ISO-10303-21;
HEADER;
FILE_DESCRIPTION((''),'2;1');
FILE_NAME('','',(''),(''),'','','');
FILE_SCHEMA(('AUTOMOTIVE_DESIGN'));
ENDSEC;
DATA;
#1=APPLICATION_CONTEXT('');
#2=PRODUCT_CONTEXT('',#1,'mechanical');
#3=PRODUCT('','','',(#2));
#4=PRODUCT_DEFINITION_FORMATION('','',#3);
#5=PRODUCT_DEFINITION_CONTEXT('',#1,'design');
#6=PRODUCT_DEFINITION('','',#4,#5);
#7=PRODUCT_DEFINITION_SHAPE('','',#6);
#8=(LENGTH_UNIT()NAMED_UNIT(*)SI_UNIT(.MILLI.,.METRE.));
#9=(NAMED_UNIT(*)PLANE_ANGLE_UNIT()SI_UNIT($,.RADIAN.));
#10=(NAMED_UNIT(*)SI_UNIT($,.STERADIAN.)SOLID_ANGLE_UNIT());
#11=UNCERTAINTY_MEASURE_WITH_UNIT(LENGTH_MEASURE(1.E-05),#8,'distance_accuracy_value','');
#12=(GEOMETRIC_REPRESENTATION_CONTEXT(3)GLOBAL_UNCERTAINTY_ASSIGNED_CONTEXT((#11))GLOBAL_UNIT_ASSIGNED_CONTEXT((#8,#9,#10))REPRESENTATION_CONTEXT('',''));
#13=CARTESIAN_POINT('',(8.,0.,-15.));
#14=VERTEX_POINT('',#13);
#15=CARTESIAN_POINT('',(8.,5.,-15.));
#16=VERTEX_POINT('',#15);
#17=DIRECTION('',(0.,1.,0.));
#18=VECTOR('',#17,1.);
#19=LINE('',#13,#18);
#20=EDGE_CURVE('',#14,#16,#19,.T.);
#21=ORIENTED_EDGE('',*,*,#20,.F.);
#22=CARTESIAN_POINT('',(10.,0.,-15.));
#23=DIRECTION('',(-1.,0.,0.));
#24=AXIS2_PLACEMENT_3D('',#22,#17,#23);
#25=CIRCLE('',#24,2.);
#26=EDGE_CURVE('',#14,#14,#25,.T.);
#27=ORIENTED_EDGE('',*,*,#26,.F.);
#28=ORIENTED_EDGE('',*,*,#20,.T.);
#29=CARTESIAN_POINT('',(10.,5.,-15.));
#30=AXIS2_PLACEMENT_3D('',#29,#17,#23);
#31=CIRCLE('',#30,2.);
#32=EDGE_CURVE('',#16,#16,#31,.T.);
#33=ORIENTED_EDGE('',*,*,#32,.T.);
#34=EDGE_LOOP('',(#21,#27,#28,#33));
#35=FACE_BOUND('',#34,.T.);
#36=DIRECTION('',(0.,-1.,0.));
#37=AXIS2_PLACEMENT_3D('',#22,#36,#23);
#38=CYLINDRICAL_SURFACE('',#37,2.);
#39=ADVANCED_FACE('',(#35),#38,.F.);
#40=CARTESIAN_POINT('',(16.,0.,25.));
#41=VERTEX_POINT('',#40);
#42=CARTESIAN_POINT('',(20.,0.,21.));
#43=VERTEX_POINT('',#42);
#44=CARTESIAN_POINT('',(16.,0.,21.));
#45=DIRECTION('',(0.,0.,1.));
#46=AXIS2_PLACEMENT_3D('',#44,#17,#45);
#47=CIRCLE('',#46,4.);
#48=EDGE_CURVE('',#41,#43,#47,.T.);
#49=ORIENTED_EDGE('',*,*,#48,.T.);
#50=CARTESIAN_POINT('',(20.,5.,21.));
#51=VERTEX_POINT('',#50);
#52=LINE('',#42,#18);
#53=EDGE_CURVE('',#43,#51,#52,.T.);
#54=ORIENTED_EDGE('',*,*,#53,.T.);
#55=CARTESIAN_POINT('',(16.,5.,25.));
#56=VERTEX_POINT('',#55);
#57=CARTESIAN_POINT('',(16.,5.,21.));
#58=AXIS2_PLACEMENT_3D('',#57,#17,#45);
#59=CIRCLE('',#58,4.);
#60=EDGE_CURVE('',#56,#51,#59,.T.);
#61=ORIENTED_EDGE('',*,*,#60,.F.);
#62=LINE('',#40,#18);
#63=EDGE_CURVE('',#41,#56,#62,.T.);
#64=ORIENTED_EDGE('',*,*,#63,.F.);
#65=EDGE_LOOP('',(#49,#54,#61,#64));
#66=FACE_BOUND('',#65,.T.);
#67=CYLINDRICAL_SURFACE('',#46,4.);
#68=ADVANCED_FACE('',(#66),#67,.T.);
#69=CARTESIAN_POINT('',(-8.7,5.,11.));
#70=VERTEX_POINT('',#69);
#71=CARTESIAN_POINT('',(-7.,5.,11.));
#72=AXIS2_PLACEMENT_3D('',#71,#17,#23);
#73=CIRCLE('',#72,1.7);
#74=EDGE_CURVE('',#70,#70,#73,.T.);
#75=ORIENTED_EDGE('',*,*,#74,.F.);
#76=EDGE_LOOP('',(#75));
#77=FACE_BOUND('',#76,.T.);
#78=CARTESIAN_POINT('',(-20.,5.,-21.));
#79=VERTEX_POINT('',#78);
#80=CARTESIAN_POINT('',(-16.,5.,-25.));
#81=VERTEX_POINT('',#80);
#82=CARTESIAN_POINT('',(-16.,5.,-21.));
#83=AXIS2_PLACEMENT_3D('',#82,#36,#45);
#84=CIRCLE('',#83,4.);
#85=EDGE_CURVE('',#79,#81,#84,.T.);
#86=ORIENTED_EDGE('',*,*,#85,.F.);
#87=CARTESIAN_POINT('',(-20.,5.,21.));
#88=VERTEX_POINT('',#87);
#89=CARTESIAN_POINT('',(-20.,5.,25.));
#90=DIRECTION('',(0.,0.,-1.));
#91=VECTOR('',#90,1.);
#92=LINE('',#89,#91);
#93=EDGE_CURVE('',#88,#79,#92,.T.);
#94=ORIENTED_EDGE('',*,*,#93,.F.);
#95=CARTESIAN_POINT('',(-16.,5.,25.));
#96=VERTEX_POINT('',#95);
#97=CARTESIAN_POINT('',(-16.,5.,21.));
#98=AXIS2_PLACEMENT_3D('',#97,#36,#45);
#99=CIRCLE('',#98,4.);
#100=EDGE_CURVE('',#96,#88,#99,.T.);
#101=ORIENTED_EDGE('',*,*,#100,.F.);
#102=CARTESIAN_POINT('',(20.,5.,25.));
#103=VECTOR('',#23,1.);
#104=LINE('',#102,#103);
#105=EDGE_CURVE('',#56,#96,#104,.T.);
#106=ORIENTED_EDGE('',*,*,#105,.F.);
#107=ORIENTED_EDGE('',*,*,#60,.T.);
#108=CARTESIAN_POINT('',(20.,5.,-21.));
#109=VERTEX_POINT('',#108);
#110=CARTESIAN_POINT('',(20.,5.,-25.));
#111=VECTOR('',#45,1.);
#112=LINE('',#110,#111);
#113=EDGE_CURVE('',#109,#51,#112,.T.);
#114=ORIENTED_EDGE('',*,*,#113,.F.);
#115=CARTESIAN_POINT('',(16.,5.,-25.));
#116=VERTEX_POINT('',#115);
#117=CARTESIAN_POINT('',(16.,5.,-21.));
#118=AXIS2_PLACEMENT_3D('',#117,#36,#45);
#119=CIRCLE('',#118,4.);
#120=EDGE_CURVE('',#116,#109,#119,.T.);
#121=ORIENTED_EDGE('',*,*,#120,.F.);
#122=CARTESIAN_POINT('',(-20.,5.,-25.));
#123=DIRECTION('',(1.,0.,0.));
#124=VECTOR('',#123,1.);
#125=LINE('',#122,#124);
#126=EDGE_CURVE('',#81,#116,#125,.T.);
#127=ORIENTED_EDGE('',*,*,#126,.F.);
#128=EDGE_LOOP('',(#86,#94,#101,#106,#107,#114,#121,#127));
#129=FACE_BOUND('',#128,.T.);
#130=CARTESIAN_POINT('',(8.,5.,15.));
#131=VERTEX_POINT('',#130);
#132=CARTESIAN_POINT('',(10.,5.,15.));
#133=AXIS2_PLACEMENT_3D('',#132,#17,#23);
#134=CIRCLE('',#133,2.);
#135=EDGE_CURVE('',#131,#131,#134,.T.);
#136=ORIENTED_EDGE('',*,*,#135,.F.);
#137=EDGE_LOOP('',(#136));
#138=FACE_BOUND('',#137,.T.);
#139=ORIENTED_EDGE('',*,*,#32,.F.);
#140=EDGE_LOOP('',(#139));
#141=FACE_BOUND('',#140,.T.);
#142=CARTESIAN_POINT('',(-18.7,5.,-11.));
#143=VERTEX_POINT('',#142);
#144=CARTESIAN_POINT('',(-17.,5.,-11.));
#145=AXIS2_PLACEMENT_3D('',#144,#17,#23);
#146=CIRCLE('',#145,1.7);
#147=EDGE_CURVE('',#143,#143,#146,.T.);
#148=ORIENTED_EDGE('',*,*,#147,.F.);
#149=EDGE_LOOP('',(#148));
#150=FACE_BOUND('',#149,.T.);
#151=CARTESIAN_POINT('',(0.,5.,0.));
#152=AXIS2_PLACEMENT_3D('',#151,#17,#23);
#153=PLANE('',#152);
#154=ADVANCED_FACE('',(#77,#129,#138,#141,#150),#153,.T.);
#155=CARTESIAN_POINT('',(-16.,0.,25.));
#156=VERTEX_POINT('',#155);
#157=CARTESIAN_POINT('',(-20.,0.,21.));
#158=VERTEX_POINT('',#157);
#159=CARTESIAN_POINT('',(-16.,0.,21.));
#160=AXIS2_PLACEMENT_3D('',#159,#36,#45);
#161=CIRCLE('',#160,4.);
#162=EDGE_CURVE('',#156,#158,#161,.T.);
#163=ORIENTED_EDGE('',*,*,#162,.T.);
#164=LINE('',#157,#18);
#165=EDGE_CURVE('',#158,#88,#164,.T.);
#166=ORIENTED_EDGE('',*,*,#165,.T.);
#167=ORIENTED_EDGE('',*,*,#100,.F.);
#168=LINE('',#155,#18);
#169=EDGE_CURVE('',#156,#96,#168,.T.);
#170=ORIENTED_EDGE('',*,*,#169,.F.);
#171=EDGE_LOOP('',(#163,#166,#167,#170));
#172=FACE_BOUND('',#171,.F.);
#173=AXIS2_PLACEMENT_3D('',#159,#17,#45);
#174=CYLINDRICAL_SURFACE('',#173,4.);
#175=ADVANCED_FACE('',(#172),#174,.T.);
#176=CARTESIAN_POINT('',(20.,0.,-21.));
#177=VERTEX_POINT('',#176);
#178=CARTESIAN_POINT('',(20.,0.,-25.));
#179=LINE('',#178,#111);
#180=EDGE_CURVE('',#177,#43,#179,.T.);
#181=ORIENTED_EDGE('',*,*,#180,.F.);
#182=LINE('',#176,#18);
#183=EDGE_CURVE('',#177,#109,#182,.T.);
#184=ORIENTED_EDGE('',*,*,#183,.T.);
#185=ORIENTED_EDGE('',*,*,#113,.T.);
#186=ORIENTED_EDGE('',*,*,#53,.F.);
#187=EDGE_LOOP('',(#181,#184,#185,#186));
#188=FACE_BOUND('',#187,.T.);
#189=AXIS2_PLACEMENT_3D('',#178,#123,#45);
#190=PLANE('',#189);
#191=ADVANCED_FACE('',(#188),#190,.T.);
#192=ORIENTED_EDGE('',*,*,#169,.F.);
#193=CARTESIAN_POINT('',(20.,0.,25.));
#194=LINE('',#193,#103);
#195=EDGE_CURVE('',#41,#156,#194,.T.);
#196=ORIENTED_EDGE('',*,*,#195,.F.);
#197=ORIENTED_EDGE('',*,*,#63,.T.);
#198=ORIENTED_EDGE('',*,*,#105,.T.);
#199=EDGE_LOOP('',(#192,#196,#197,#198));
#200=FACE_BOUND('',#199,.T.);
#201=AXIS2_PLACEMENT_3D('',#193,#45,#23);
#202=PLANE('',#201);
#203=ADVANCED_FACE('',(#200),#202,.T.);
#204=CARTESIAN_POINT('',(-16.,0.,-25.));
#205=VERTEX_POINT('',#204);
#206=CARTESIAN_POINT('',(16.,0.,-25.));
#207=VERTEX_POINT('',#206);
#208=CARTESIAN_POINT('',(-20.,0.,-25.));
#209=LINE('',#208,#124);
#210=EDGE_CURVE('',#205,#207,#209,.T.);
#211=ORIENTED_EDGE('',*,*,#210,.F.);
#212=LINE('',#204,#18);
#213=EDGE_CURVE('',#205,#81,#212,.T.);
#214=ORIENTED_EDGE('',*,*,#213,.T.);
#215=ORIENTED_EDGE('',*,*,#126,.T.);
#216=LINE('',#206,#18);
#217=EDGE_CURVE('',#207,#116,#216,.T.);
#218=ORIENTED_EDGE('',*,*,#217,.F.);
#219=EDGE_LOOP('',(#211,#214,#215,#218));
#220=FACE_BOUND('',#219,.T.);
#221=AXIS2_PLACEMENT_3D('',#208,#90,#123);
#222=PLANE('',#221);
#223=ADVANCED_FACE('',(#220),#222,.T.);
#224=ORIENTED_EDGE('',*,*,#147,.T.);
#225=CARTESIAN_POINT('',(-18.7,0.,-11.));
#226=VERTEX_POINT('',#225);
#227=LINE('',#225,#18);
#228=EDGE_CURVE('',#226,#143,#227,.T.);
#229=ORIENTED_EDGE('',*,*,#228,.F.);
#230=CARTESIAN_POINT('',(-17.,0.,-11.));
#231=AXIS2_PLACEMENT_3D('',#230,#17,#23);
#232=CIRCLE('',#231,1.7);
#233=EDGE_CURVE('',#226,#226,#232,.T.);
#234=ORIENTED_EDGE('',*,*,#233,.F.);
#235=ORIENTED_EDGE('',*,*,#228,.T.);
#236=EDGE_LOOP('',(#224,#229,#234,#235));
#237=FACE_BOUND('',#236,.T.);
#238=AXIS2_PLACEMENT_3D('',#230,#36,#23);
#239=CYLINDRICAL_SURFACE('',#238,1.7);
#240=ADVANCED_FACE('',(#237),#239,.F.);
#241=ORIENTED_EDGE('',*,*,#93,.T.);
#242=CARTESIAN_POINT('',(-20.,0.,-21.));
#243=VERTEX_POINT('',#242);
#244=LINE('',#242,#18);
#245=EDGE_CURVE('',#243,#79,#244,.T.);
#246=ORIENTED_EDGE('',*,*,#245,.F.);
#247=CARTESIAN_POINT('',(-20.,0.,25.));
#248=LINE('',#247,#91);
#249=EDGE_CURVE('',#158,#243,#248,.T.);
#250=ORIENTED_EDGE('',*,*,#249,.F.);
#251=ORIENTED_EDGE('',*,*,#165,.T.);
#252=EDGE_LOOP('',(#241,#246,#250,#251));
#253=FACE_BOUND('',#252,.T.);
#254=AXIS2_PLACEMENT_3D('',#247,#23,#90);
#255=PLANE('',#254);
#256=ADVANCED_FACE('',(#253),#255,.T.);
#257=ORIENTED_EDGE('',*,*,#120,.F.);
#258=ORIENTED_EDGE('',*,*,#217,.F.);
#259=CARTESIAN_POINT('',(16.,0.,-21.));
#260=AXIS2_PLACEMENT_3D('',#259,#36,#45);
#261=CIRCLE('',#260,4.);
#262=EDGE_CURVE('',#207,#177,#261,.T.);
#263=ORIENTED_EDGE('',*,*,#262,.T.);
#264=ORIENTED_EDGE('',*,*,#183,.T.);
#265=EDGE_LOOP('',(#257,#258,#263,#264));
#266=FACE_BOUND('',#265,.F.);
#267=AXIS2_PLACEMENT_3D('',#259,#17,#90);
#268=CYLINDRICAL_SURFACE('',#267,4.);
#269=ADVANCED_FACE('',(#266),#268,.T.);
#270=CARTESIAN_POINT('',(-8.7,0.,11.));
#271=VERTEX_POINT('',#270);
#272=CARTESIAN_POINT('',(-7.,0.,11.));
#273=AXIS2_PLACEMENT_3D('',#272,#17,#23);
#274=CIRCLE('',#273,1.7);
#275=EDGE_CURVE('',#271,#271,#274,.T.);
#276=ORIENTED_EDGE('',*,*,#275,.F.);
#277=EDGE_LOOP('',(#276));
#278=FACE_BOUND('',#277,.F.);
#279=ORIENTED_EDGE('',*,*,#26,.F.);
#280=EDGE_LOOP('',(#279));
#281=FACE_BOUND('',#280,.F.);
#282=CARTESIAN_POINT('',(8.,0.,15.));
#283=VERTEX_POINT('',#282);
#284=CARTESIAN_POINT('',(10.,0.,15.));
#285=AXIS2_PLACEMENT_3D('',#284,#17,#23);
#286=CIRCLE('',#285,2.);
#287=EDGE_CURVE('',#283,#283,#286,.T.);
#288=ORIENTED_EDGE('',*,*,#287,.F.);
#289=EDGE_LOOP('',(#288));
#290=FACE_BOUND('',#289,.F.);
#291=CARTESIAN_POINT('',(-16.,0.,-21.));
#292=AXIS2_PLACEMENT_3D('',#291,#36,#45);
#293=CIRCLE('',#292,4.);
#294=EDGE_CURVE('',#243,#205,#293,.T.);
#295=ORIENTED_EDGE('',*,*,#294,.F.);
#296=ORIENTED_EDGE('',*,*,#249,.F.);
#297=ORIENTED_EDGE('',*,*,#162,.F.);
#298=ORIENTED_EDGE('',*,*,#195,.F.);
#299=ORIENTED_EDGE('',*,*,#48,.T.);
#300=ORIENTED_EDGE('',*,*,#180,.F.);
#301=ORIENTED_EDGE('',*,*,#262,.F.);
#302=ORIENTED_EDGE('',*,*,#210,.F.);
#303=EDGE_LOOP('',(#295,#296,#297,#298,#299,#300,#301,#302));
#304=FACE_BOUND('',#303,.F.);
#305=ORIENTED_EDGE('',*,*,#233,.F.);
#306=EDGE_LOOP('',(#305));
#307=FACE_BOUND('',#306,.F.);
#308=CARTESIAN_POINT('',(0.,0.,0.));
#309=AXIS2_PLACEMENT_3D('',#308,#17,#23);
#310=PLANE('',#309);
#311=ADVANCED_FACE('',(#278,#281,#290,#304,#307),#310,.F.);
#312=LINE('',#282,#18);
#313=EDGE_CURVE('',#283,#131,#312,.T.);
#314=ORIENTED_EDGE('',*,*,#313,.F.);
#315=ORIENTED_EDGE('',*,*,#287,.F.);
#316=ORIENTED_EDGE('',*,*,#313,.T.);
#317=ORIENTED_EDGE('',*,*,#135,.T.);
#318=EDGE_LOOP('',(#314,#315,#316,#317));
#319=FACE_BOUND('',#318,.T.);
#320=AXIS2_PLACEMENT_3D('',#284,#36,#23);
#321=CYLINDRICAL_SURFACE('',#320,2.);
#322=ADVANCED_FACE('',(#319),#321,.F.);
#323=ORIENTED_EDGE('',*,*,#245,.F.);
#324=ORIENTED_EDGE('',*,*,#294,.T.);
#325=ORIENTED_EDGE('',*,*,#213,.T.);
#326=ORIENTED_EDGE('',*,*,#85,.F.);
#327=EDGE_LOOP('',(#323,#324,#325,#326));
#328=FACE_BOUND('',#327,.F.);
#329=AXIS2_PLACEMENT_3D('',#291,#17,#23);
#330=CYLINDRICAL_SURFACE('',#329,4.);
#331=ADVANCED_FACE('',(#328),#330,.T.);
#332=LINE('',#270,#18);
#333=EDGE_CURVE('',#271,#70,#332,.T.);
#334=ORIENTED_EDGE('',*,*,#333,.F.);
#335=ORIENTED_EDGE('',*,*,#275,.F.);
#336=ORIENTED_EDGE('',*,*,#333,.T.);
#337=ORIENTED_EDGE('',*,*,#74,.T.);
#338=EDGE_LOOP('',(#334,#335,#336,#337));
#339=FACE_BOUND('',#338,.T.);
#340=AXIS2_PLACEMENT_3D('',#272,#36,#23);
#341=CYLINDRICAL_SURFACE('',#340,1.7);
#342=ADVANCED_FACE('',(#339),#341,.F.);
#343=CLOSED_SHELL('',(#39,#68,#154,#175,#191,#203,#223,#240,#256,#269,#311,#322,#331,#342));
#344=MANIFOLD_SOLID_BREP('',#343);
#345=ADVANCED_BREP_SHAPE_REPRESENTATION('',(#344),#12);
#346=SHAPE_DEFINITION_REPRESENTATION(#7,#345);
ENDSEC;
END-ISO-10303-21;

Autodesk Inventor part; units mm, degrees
ref_plane "YZ Plane" through (0, 0, 0) normal (1, 0, 0) x (0, 1, 0)
ref_plane "XZ Plane" through (0, 0, 0) normal (0, 1, 0) x (-1, 0, 0)
ref_plane "XY Plane" through (0, 0, 0) normal (0, 0, 1) x (1, 0, 0)
sketch "Sketch1" plane through (0, 0, 0) normal (0, 1, 0) x (-1, 0, 0)
  line L0 (-20, 25) -> (20, 25)
  line L1 (20, 25) -> (20, -25)
  line L2 (20, -25) -> (-20, -25)
  line L3 (-20, -25) -> (-20, 25)
  line L4 (-20, 25) -> (20, -25) construction
  line L5 (20, 25) -> (-20, -25) construction
  line L6 (17, 14) -> (7, 14) construction
  arc A0 (7, 14) -> (4, 11) centre (7, 11) ccw construction
  line L7 (4, 11) -> (4, -11) construction
  arc A1 (4, -11) -> (7, -14) centre (7, -11) ccw construction
  line L8 (7, -14) -> (17, -14) construction
  arc A2 (17, -14) -> (20, -11) centre (17, -11) ccw construction
  line L9 (20, -11) -> (20, 11) construction
  arc A3 (20, 11) -> (17, 14) centre (17, 11) ccw construction
  circle A4 centre (17.5, -0.5) radius 2 construction
  circle A5 centre (17, 11) radius 1.7 construction
  circle A6 centre (7, -11) radius 1.7 construction
  line L10 (4, 0) -> (20, 0) construction
  line L11 (17, -14) -> (7, -14) construction
  arc A7 (4, -11) -> (7, -14) centre (7, -11) ccw construction
  line L12 (4, -11) -> (4, 11) construction
  arc A8 (7, 14) -> (4, 11) centre (7, 11) ccw construction
  line L13 (7, 14) -> (17, 14) construction
  arc A9 (20, 11) -> (17, 14) centre (17, 11) ccw construction
  line L14 (20, 11) -> (20, -11) construction
  arc A10 (17, -14) -> (20, -11) centre (17, -11) ccw construction
  circle A11 centre (17.5, 0.5) radius 2 construction
  circle A12 centre (17, -11) radius 1.7
  circle A13 centre (7, 11) radius 1.7
  line L15 (20, 0) -> (-20, 0) construction
  line L16 (0, 25) -> (0, -25) construction
  line L17 (-10, 25) -> (-10, -25) construction
  circle A14 centre (-10, 15) radius 2
  circle A15 centre (-10, -15) radius 2
  point P0 (0, 0)
  point P1 (12, 0)
  dimension "d0" = 40
  dimension "d1" = 50
  dimension "d5" = 10
  dimension "d6" = 4
  dimension "d7" = 4
  dimension "d8" = 10
  dimension "d9" = 10
extrude "Extrusion2" add sketch "Sketch1" along normal blind 5
fillet "Fillet2" radius 4 4 edges at (20, 2.5, -25) (20, 2.5, 25) (-20, 2.5, -25) (-20, 2.5, 25)
properties part number "Soporte_Final_Carrera"
